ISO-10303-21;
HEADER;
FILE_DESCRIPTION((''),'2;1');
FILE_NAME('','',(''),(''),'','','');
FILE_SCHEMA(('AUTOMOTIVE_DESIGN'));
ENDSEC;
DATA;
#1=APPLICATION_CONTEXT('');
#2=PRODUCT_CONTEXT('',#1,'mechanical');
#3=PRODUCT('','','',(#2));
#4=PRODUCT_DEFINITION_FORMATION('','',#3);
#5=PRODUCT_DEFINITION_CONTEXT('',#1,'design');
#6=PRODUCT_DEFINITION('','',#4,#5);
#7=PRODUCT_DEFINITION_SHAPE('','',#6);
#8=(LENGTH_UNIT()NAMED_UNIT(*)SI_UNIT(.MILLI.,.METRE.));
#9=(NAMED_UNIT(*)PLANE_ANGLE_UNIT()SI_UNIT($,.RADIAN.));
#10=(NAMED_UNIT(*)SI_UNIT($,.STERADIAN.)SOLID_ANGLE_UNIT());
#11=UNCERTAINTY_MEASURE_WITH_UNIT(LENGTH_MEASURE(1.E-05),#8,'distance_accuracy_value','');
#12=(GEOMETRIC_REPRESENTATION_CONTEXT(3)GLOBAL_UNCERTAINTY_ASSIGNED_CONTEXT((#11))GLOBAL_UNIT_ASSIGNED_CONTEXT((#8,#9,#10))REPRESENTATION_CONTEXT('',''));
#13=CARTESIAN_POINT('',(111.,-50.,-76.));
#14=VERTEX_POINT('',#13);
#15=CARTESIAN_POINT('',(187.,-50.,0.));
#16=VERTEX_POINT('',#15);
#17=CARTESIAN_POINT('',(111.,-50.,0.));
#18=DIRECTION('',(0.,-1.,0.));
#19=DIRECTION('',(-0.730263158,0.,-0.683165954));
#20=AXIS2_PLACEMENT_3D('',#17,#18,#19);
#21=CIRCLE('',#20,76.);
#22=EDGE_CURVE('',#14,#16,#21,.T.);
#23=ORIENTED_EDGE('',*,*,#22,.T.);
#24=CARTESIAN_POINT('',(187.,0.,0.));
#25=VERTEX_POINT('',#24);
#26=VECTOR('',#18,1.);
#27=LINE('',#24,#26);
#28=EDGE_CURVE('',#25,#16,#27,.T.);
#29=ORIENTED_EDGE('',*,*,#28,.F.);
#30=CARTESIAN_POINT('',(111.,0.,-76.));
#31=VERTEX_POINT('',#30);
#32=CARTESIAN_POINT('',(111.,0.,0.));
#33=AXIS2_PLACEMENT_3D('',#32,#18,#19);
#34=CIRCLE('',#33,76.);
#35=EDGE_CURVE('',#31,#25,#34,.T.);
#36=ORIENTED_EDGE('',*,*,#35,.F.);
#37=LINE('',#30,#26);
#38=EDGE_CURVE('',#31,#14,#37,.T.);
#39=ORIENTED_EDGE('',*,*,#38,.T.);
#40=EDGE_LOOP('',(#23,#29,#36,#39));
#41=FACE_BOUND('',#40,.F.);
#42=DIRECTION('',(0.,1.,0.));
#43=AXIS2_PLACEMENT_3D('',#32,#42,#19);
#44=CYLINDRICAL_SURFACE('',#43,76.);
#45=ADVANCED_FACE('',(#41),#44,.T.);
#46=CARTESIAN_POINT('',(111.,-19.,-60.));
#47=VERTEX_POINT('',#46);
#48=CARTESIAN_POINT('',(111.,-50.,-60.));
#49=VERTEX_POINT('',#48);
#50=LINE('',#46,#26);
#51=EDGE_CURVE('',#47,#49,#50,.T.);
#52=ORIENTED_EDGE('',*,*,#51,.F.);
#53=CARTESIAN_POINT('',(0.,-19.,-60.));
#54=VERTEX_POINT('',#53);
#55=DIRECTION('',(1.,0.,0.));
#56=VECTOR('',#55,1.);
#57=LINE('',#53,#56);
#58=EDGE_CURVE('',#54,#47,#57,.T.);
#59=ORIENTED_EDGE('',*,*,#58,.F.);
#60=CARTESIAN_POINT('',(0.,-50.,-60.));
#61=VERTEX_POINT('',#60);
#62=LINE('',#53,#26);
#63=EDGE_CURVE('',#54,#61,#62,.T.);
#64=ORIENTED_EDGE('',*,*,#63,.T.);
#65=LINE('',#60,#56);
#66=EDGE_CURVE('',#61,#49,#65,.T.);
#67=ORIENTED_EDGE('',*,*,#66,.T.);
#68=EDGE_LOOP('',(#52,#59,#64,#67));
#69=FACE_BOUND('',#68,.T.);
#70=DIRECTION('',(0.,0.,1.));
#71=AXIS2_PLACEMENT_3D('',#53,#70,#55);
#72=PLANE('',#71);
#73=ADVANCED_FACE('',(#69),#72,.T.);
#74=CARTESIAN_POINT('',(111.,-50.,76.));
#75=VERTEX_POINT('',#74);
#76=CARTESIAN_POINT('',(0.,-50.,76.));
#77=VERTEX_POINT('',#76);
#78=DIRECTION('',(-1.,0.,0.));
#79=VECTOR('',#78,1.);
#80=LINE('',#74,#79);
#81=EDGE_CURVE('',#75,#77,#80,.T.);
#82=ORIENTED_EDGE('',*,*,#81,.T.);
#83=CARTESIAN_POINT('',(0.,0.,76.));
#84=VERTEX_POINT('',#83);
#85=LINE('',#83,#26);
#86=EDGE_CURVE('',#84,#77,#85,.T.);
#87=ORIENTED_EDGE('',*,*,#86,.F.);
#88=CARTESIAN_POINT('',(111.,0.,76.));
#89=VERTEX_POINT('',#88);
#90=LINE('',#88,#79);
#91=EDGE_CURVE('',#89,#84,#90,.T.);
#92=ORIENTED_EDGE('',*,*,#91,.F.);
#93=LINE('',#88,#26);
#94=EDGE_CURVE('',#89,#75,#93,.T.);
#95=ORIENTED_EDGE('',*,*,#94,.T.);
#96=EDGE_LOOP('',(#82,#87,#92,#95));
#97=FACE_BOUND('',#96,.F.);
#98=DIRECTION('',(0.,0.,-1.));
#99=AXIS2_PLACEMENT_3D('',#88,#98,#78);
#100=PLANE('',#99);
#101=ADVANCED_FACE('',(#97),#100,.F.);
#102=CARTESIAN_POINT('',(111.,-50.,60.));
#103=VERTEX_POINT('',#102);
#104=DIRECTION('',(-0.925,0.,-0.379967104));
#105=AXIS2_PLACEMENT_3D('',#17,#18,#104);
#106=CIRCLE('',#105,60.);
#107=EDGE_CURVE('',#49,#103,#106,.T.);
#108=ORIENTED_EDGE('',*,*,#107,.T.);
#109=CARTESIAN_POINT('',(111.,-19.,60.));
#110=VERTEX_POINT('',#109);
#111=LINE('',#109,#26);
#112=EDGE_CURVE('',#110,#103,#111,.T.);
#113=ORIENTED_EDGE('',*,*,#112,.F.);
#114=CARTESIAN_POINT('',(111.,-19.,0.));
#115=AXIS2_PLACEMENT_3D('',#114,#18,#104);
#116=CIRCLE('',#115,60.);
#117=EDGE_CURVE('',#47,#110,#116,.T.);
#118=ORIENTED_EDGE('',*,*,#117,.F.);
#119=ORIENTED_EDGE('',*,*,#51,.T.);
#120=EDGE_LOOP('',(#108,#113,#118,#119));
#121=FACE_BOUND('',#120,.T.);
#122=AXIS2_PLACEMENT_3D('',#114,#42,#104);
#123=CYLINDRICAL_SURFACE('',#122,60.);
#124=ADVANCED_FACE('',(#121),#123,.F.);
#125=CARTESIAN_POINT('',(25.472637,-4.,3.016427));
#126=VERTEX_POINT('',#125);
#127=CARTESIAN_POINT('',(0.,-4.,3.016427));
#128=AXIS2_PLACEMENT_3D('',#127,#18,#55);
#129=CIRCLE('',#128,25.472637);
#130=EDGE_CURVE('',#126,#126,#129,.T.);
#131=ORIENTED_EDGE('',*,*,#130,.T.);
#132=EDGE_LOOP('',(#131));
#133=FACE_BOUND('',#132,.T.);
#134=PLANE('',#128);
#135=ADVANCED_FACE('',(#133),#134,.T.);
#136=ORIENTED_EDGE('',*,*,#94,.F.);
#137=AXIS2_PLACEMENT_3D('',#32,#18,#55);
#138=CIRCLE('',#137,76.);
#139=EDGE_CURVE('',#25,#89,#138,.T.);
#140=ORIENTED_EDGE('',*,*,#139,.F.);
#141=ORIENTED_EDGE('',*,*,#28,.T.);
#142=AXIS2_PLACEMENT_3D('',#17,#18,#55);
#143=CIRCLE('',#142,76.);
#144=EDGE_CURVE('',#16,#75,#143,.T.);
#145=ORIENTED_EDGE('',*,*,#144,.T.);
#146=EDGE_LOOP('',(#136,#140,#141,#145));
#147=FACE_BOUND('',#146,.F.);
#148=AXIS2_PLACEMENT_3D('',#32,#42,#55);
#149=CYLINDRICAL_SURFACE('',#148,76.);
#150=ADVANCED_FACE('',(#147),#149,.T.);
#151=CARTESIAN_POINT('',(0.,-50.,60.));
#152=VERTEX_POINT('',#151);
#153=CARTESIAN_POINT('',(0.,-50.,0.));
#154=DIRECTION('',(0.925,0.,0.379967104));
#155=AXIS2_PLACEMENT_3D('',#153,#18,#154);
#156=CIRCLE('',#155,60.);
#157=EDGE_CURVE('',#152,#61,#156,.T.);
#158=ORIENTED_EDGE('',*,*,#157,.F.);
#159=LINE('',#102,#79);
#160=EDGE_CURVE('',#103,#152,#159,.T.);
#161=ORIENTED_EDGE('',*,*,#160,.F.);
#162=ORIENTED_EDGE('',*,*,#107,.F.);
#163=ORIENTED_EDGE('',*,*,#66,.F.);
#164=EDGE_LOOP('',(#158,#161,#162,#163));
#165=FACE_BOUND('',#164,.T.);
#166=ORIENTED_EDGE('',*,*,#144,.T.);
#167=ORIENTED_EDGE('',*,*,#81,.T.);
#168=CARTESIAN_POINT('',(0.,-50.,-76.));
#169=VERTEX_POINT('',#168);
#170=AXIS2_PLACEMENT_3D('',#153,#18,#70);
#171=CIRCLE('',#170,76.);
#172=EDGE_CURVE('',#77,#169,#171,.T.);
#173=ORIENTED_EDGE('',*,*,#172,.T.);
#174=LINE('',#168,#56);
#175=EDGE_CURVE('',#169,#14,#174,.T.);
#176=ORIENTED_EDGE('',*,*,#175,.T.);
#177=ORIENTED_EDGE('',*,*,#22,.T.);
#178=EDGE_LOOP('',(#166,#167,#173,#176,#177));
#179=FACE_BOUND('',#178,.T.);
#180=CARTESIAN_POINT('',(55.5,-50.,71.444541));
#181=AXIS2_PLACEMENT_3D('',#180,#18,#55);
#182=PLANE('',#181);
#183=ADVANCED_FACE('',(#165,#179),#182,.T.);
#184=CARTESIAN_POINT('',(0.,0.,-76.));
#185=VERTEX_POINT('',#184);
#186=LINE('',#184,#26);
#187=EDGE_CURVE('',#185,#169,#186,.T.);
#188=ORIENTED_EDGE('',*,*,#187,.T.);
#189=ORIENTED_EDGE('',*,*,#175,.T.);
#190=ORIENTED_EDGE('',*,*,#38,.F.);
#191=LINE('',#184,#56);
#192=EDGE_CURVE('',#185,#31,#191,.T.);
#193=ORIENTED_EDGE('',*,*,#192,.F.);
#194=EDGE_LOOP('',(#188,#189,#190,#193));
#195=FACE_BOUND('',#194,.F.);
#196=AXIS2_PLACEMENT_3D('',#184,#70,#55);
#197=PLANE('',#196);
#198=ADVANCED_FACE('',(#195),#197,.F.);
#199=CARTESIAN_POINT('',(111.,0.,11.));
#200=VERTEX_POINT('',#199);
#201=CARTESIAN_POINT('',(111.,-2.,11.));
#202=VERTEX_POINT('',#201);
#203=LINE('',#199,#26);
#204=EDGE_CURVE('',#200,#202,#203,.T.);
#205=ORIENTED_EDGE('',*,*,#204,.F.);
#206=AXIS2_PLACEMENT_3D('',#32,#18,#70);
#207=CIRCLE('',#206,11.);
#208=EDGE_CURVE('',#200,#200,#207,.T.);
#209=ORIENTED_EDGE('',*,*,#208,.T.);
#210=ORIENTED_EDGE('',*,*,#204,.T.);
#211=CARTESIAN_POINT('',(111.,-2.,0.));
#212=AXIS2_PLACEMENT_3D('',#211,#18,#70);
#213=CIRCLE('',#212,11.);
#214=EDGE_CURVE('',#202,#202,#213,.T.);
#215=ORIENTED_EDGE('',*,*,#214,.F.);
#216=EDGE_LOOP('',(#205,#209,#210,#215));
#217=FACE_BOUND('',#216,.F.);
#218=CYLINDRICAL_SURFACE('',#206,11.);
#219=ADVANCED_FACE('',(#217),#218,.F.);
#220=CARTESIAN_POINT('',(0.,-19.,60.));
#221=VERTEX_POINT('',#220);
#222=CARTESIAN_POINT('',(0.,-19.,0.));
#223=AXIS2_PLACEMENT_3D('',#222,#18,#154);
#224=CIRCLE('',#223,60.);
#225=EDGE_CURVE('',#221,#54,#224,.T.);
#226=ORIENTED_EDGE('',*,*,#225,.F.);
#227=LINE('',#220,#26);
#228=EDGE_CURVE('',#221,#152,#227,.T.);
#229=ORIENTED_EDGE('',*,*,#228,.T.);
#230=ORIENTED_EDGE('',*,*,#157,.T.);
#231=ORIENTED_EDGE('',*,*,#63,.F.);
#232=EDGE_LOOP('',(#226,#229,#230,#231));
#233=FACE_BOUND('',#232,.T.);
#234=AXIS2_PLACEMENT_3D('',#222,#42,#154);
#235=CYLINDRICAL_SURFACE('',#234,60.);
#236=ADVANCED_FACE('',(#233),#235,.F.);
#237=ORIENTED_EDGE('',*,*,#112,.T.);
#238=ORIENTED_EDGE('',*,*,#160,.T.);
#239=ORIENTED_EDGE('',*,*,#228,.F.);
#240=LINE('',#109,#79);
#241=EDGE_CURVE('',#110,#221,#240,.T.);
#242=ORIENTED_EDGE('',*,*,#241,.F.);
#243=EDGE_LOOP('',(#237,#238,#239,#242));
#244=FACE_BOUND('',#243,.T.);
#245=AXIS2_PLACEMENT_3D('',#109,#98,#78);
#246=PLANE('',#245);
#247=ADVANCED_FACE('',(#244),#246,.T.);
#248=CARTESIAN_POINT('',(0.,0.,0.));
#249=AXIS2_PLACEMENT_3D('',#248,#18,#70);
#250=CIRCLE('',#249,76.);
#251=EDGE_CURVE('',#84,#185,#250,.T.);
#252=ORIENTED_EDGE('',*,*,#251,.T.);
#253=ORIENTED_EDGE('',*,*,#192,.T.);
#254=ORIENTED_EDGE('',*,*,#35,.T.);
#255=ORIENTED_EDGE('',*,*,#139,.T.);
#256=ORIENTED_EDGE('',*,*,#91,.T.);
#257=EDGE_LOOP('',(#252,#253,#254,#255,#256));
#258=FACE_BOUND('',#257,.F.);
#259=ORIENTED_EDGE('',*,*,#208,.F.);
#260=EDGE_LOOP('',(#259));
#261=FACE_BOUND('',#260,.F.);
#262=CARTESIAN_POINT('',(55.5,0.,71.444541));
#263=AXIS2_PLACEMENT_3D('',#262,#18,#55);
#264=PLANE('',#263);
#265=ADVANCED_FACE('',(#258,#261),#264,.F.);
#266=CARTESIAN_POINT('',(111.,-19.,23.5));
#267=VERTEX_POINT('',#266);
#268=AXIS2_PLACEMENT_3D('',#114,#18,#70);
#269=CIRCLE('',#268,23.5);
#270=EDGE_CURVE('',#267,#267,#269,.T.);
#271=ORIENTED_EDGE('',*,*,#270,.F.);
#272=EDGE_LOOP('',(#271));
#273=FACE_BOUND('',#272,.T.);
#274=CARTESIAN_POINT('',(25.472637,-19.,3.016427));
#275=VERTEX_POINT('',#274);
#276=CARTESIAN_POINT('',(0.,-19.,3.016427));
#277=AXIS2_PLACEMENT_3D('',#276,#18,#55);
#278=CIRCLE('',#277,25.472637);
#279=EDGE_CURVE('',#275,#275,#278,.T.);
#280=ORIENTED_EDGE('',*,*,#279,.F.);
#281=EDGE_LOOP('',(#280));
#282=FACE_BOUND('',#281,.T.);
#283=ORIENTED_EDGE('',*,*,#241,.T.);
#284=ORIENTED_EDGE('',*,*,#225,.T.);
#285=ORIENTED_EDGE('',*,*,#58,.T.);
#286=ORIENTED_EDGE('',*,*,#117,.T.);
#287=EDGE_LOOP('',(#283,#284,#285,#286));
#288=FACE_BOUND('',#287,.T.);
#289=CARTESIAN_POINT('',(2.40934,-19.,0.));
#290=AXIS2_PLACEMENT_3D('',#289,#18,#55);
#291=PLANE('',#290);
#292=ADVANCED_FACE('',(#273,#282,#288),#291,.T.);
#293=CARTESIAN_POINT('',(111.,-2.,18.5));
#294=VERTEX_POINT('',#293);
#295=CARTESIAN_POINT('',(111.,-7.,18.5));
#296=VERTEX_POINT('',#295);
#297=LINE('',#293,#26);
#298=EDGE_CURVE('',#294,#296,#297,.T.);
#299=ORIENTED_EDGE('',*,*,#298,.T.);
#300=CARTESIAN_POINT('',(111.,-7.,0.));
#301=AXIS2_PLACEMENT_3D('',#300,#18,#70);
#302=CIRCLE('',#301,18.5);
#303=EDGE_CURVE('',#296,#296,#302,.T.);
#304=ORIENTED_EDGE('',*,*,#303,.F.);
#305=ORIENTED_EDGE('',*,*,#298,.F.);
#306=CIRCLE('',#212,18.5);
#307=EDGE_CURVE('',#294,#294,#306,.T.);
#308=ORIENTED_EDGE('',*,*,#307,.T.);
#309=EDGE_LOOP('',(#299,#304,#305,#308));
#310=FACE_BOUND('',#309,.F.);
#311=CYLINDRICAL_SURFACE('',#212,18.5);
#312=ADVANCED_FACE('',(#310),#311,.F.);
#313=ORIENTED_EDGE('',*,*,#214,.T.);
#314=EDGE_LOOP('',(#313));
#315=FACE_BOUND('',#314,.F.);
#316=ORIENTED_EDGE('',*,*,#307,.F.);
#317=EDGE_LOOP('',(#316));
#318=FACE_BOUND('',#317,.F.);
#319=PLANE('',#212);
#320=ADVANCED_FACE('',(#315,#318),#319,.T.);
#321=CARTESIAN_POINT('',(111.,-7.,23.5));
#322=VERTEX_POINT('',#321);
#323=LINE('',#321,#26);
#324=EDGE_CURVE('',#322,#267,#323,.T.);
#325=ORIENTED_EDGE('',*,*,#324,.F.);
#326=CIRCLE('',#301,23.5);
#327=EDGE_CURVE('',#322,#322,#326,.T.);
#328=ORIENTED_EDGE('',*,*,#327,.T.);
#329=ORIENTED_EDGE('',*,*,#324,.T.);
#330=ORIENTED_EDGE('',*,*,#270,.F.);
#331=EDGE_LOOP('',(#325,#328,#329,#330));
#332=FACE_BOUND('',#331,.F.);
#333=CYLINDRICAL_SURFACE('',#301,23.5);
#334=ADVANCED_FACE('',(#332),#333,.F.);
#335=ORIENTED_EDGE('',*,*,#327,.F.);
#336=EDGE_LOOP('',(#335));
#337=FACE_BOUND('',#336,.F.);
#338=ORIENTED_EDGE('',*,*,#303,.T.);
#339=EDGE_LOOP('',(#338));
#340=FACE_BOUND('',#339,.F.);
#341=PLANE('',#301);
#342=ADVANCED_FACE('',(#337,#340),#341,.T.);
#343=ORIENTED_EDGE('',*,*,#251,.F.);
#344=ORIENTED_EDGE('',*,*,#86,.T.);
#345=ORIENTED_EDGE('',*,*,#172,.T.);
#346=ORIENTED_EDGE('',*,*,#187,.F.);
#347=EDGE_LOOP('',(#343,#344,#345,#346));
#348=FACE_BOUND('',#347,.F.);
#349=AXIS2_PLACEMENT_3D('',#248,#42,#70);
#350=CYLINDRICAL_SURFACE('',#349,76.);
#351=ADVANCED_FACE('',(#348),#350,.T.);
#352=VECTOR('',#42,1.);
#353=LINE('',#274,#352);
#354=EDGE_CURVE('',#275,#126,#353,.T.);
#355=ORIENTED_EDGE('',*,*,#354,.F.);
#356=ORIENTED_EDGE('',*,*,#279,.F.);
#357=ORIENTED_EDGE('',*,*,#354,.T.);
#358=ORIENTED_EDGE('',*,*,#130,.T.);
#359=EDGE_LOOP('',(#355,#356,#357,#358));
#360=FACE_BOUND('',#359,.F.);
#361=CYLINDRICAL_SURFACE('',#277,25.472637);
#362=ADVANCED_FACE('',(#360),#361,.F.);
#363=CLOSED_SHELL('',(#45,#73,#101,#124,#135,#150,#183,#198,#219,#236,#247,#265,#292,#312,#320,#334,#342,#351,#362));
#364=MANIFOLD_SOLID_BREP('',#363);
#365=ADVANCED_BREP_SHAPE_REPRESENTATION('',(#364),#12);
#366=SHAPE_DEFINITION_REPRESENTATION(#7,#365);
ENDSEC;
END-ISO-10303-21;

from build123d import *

# Parameters (mm, degrees)
F1_DEPTH = 50
F4_DEPTH = 31
F5_DEPTH = 31
F6_R     = 25.4726369524
F7_DEPTH = 15


with BuildPart() as f1:
    # F0 (on Front) → F1 (new body)
    with BuildSketch(Plane.XZ):
        with BuildLine():
            Line((111, 76), (0, 76))
            ThreePointArc((0, 76), (30.2492433933, 69.7207521053), (55.5, 51.9206124771))
            ThreePointArc((55.5, 51.9206124771), (80.7507566067, 69.7207521053), (111, 76))
        make_face()
        with BuildLine():
            ThreePointArc((55.5, 51.9206124771), (30.2492433933, 69.7207521053), (0, 76))
            ThreePointArc((0, 76), (-76, 0), (0, -76))
            ThreePointArc((0, -76), (30.2492433933, -69.7207521053), (55.5, -51.9206124771))
            ThreePointArc((55.5, -51.9206124771), (35, 0), (55.5, 51.9206124771))
        make_face()
        with BuildLine():
            ThreePointArc((76, 0), (70.6894617323, 27.9105714739), (55.5, 51.9206124771))
            ThreePointArc((55.5, 51.9206124771), (35, 0), (55.5, -51.9206124771))
            ThreePointArc((55.5, -51.9206124771), (70.6894617323, -27.9105714739), (76, 0))
        make_face()
        with BuildLine():
            ThreePointArc((111, 76), (80.7507566067, 69.7207521053), (55.5, 51.9206124771))
            ThreePointArc((55.5, 51.9206124771), (70.6894617323, 27.9105714739), (76, 0))
            ThreePointArc((76, 0), (70.6894617323, -27.9105714739), (55.5, -51.9206124771))
            ThreePointArc((55.5, -51.9206124771), (80.7507566067, -69.7207521053), (111, -76))
            ThreePointArc((111, -76), (164.7401153702, -53.7401153702), (187, 0))
            ThreePointArc((187, 0), (164.7401153702, 53.7401153702), (111, 76))
        make_face()
        with BuildLine():
            ThreePointArc((55.5, -51.9206124771), (30.2492433933, -69.7207521053), (0, -76))
            Line((0, -76), (111, -76))
            ThreePointArc((111, -76), (80.7507566067, -69.7207521053), (55.5, -51.9206124771))
        make_face()
    extrude(amount=F1_DEPTH)

    # F3 (on offset) → F4 (cut)
    with BuildSketch(Plane.XZ.offset(19)):
        with BuildLine():
            ThreePointArc((55.5, 22.7980262304), (33.407472414, 49.8391491391), (0, 60))
            ThreePointArc((0, 60), (-60, 0), (0, -60))
            ThreePointArc((0, -60), (33.407472414, -49.8391491391), (55.5, -22.7980262304))
            ThreePointArc((55.5, -22.7980262304), (51, 0), (55.5, 22.7980262304))
        make_face()
        with BuildLine():
            Line((111, 60), (0, 60))
            ThreePointArc((0, 60), (33.407472414, 49.8391491391), (55.5, 22.7980262304))
            ThreePointArc((55.5, 22.7980262304), (77.592527586, 49.8391491391), (111, 60))
        make_face()
        with BuildLine():
            ThreePointArc((55.5, -22.7980262304), (33.407472414, -49.8391491391), (0, -60))
            Line((0, -60), (111, -60))
            ThreePointArc((111, -60), (77.592527586, -49.8391491391), (55.5, -22.7980262304))
        make_face()
        with BuildLine():
            ThreePointArc((111, 60), (77.592527586, 49.8391491391), (55.5, 22.7980262304))
            ThreePointArc((55.5, 22.7980262304), (58.864250611, 11.6189500386), (60, 0))
            ThreePointArc((60, 0), (58.864250611, -11.6189500386), (55.5, -22.7980262304))
            ThreePointArc((55.5, -22.7980262304), (77.592527586, -49.8391491391), (111, -60))
            ThreePointArc((111, -60), (153.4264068712, -42.4264068712), (171, 0))
            ThreePointArc((171, 0), (153.4264068712, 42.4264068712), (111, 60))
        make_face()
    extrude(amount=F4_DEPTH, mode=Mode.SUBTRACT)

    # F5 (cut): a face of the model
    f5_faces = [f1.faces().sort_by_distance(p)[0] for p in [
        (55.5, -50, 0),
    ]]
    extrude(f5_faces, amount=-F5_DEPTH, mode=Mode.SUBTRACT)

    # F6 (on offset) → F7 (cut)
    with BuildSketch(Plane.XZ.offset(19)):
        with Locations((0, 3.0164269265)):
            Circle(F6_R)
    extrude(amount=-F7_DEPTH, mode=Mode.SUBTRACT)

    # F9 (on offset) → F10 (revolve, cut)
    with BuildSketch(Plane.YZ.offset(111)):
        Polygon((-19, 0), (0, 0), (0, 11), (-2, 11), (-2, 18.5), (-7, 18.5), (-7, 23.5), (-19, 23.5), align=None)
    revolve(axis=Axis((111, -12.6816760749, 0), (0, -1, 0)), mode=Mode.SUBTRACT)


solid = f1.part
